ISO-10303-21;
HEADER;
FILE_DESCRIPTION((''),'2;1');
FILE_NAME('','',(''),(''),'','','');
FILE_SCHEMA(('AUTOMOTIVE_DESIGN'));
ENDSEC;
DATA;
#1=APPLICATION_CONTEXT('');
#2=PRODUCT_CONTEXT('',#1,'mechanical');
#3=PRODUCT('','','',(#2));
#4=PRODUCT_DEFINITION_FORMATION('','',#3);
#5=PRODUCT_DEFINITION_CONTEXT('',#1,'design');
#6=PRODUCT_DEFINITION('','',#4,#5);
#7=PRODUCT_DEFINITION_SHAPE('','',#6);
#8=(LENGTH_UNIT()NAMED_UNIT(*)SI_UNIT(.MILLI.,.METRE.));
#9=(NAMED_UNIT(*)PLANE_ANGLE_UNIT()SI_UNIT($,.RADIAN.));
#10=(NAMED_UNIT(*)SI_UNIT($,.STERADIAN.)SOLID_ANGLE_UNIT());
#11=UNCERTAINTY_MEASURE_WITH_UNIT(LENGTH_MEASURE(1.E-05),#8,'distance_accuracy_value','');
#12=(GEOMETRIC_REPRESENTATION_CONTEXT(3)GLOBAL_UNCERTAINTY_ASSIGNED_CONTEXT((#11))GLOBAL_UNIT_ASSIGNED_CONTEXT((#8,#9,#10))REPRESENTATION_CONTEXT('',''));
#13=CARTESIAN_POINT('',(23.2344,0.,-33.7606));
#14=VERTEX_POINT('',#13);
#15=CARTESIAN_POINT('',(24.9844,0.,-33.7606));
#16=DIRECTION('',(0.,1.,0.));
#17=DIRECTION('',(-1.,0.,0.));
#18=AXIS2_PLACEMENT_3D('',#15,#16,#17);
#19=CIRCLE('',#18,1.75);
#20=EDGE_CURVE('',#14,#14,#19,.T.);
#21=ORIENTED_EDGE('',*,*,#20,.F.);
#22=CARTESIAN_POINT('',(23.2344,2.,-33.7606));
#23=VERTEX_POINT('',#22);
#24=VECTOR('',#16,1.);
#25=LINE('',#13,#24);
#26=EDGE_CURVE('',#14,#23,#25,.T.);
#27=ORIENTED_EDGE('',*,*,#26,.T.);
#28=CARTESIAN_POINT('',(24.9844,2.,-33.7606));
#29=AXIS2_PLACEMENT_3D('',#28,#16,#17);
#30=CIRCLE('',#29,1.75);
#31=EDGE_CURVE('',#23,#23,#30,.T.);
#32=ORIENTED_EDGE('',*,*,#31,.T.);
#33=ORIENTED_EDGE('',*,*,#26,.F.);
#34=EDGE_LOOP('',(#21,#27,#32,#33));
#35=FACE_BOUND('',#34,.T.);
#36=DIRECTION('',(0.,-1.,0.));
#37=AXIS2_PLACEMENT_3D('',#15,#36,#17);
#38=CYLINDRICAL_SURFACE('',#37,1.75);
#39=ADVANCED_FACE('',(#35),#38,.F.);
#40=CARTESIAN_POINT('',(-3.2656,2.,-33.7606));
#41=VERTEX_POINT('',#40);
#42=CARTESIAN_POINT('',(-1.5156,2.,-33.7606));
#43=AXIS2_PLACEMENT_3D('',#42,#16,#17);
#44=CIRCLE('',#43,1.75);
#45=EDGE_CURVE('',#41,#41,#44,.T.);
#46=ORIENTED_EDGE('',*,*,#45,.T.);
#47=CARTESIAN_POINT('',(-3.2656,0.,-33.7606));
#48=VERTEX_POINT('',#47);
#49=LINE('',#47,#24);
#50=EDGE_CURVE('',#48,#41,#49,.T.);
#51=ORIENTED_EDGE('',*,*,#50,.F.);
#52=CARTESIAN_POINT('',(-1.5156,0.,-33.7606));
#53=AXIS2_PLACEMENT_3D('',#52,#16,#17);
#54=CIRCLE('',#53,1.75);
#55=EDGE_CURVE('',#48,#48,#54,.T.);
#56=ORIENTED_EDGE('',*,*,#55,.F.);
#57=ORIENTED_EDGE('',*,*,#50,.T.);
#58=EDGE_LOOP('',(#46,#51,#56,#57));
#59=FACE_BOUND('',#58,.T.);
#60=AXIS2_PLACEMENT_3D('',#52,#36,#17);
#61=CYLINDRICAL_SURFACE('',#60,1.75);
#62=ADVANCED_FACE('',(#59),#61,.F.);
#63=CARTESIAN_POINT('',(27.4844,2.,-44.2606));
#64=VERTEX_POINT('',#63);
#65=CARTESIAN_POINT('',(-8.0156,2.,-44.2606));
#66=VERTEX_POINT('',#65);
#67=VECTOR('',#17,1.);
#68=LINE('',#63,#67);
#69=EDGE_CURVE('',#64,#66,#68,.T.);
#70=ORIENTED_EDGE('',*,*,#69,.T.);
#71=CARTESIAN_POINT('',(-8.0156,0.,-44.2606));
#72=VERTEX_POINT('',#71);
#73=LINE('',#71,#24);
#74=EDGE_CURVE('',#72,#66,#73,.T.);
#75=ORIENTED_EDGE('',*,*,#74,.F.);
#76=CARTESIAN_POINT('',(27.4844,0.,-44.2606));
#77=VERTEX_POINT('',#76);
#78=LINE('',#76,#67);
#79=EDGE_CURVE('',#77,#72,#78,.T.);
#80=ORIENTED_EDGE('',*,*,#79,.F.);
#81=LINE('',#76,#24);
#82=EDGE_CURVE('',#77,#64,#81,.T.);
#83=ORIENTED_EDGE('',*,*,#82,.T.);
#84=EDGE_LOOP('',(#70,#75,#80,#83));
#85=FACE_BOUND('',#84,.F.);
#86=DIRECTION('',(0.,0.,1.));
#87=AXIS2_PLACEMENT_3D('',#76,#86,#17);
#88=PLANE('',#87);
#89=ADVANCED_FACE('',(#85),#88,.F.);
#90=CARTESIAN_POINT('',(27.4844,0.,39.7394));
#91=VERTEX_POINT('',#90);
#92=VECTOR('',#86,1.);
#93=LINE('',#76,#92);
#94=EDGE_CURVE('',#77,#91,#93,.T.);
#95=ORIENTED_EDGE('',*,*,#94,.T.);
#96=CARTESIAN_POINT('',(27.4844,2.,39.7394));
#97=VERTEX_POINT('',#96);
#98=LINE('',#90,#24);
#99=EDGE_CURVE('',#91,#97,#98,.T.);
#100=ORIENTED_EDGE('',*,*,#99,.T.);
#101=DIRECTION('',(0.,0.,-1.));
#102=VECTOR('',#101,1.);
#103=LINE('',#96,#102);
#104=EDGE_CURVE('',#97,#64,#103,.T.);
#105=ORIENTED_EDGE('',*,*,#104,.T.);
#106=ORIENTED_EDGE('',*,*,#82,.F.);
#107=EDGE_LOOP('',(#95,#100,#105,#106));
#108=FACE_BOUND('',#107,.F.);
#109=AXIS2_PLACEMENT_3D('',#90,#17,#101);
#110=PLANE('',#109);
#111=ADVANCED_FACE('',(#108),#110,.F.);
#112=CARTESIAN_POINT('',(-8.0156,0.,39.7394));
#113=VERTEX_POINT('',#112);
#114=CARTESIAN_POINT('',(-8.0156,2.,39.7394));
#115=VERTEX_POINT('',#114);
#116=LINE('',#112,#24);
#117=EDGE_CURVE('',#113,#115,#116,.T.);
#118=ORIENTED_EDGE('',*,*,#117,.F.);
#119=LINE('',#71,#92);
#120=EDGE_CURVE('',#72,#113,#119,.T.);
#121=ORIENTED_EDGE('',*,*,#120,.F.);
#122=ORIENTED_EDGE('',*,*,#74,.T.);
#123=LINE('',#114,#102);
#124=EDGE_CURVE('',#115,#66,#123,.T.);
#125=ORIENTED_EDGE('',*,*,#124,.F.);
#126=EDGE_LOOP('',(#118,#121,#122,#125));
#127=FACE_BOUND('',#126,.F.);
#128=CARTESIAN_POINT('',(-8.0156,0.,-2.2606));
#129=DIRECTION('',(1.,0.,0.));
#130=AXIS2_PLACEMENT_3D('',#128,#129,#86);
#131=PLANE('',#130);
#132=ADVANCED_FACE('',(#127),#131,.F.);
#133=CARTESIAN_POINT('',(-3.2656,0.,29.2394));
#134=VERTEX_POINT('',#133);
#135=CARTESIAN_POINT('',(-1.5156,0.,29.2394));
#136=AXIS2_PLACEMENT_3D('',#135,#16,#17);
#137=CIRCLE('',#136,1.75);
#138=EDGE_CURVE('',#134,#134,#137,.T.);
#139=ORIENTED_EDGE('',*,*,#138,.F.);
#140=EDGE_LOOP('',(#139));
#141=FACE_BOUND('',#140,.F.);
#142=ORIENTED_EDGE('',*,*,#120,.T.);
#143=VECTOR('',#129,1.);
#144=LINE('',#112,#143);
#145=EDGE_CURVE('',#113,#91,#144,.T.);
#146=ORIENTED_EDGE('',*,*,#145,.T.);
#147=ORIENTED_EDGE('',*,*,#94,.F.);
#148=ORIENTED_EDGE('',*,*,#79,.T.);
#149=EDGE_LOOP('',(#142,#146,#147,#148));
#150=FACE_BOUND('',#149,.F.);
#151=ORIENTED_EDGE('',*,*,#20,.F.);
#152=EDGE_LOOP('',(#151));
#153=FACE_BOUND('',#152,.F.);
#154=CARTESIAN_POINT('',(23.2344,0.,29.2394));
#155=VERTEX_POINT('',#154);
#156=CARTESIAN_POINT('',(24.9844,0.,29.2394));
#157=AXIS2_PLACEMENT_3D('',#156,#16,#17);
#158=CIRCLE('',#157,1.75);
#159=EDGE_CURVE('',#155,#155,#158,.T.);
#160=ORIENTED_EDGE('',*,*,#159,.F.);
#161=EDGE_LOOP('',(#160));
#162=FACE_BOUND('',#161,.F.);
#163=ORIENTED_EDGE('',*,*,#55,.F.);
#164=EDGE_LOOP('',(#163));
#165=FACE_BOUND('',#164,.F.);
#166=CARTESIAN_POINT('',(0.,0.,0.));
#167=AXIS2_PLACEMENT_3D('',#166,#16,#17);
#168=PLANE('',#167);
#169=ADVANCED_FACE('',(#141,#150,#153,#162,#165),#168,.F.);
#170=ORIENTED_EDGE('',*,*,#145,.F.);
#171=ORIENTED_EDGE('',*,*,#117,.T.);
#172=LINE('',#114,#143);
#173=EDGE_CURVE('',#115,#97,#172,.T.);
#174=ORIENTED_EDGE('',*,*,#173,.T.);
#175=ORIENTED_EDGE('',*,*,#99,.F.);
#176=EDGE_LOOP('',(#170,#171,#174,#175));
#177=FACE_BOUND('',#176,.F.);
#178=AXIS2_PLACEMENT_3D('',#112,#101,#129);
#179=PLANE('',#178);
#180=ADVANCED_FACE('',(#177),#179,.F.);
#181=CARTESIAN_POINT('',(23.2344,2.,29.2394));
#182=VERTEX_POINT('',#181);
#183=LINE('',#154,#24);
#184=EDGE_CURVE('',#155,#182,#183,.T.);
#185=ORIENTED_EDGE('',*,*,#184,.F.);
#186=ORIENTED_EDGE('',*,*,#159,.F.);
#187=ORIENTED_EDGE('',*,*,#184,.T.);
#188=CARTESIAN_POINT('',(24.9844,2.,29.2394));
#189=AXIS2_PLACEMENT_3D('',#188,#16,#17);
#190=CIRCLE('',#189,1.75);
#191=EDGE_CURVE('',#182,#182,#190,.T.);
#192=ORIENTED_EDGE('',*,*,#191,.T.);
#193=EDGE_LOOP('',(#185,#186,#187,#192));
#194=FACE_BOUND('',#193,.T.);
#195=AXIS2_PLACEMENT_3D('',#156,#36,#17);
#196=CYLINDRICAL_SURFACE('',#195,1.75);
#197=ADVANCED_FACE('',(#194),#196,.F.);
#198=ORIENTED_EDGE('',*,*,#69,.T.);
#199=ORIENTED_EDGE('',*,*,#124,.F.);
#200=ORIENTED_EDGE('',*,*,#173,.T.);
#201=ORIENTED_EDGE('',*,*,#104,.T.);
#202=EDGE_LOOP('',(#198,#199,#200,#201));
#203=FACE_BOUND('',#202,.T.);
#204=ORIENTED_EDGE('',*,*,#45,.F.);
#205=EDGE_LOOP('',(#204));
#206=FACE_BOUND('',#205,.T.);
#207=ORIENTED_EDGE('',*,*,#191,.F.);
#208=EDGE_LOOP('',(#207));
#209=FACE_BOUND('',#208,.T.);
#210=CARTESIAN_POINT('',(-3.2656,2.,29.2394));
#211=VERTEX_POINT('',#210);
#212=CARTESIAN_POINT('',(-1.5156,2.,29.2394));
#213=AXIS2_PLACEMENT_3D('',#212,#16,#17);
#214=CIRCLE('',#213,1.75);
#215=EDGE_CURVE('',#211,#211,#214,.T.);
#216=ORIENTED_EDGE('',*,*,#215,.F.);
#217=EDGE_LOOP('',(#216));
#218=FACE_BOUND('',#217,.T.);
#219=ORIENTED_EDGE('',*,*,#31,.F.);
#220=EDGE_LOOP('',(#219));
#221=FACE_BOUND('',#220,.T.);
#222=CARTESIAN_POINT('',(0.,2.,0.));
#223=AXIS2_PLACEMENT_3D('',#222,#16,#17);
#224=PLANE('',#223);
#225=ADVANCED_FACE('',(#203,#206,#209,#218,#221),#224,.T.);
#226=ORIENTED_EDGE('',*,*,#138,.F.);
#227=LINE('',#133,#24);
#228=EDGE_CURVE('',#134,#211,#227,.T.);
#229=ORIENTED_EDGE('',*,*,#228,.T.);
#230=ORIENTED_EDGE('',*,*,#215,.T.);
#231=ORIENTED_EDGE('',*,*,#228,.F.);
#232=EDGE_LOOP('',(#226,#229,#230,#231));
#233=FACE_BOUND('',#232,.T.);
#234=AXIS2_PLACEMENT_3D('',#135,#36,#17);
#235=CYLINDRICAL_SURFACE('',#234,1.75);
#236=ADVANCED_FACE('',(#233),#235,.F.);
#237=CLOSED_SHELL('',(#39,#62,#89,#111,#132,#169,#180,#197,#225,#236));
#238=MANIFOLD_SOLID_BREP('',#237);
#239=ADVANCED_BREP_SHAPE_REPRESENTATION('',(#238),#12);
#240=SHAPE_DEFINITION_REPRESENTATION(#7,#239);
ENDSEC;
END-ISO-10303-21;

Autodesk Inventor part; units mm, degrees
ref_plane "YZ Plane" through (0, 0, 0) normal (1, 0, 0) x (0, 1, 0)
ref_plane "XZ Plane" through (0, 0, 0) normal (0, 1, 0) x (-1, 0, 0)
ref_plane "XY Plane" through (0, 0, 0) normal (0, 0, 1) x (1, 0, 0)
sketch "Boceto1" plane through (0, 0, 0) normal (0, 1, 0) x (-1, 0, 0)
  line L0 (8.0156, 39.7394) -> (-27.4844, 39.7394)
  line L1 (-27.4844, 39.7394) -> (-27.4844, -44.2606)
  line L2 (-27.4844, -44.2606) -> (8.0156, -44.2606)
  line L3 (8.0156, -44.2606) -> (8.0156, 39.7394)
  circle A0 centre (1.5156, 29.2394) radius 1.75
  circle A1 centre (-24.9844, 29.2394) radius 1.75
  line L4 (8.0156, -2.2606) -> (-27.4844, -2.2606)
  circle A2 centre (1.5156, -33.7606) radius 1.75
  circle A3 centre (-24.9844, -33.7606) radius 1.75
  point P0 (0, 0)
  dimension "d0" = 84
  dimension "d1" = 35.5
  dimension "d2" = 3.5
  dimension "d3" = 6.5
  dimension "d4" = 10.5
  dimension "d5" = 3.5
  dimension "d6" = 26.5
  dimension "d7" = 84
  dimension "d8" = 84
  dimension "d9" = 63
extrude "Extrusión1" add sketch "Boceto1" along normal blind 2
equation "\"Radio_pliegue\" = Grosor"
equation "\"Anchura_desahogo_plegado\" = Grosor"
equation "\"Profundidad_desahogo_plegado\" = 0.5 * Grosor"
equation "\"Tamaño_destalonado\" = 4 * Grosor"
equation "\"Remanente_mínimo\" = 2 * Grosor"
equation "\"Radiodetransición\" = Radio_pliegue"
equation "\"Tamaño_de_radio_de_Jacobi\" = Radio_pliegue"
equation "\"TamañoSeparación\" = Grosor"
equation "\"Grosor\" = 0.5"
properties part number "PosiblePlaca"
